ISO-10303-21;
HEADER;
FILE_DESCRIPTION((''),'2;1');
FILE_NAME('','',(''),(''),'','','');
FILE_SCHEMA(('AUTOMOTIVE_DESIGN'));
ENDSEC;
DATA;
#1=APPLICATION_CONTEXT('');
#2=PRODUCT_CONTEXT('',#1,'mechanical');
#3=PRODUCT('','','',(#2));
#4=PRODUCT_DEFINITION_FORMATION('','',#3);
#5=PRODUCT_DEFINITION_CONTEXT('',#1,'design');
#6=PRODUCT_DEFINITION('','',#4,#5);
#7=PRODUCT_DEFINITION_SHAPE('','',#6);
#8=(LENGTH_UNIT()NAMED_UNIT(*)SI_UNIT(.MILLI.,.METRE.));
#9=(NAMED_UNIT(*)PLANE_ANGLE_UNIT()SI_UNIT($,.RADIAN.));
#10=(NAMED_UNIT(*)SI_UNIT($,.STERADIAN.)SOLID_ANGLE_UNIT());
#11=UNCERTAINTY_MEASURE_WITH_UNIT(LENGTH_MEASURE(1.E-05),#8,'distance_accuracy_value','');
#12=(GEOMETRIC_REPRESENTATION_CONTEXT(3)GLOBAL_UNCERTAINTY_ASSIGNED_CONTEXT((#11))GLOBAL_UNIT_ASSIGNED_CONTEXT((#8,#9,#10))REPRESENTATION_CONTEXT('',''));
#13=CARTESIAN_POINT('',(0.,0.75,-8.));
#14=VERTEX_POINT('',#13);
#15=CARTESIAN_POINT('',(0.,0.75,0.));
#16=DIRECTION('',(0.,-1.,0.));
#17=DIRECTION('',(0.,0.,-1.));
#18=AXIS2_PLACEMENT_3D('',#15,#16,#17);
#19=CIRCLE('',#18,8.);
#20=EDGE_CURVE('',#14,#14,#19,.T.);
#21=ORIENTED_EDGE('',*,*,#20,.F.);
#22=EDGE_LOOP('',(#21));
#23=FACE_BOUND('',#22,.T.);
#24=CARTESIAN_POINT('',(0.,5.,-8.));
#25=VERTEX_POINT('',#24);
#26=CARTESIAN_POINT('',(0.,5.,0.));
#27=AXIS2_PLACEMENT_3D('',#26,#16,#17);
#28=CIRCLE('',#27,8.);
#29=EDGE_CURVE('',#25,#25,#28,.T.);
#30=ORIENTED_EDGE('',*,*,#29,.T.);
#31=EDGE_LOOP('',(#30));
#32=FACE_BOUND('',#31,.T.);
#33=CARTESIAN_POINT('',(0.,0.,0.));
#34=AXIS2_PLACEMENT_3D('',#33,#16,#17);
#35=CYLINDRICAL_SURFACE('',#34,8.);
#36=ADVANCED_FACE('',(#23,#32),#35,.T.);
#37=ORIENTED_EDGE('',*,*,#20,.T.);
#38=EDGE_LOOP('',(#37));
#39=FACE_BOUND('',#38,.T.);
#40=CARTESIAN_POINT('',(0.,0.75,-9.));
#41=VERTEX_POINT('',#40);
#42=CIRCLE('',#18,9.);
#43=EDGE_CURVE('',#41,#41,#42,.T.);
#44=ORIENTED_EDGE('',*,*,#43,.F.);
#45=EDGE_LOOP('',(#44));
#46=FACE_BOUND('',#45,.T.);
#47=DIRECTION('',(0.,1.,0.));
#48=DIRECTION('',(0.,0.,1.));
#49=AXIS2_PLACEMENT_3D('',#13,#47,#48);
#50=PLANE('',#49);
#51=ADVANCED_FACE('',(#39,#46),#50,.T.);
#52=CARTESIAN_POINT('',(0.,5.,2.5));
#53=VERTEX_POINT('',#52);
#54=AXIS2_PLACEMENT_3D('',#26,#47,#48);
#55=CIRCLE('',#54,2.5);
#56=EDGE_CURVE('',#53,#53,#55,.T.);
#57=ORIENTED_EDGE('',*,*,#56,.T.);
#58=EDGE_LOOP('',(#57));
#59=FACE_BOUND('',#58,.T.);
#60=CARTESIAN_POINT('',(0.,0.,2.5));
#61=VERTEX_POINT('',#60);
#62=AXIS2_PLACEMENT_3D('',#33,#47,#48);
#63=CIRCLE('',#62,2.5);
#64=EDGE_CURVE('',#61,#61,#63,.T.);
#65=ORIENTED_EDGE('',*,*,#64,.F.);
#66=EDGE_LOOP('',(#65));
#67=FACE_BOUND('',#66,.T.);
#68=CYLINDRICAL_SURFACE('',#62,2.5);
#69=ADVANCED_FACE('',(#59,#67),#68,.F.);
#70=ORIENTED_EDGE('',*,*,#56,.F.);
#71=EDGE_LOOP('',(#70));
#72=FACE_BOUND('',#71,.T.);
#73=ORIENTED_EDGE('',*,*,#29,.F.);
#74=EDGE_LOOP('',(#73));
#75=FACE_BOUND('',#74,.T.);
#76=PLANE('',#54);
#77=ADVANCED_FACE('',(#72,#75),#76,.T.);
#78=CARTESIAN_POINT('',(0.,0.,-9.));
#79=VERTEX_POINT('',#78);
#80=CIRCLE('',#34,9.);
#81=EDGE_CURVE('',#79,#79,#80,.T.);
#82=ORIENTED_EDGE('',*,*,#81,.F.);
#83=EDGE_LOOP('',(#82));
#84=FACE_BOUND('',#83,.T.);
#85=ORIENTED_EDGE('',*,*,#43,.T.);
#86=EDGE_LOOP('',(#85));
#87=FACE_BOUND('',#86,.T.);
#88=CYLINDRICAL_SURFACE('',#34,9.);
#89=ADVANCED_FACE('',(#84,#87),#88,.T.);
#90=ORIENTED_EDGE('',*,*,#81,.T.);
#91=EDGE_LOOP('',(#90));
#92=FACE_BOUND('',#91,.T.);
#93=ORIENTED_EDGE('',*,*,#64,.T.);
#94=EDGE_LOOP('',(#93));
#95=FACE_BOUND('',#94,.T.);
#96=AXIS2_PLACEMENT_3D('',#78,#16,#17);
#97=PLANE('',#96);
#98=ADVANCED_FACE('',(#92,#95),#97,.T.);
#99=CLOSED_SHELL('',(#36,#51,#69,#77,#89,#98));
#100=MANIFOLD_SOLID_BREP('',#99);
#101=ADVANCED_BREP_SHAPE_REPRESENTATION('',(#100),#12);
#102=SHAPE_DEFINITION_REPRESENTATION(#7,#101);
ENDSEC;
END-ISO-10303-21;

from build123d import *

# Parameters (mm, degrees)
SKETCH2_R          = 2.5
CUT_EXTRUDE1_DEPTH = 14.674794331


with BuildPart() as part:
    # Sketch1 → Revolve1 (revolve)
    with BuildSketch(Plane(origin=(0, 0, 0), x_dir=(0, 0, -1), z_dir=(1, 0, 0))):
        Polygon((0, 0), (0, 5), (8, 5), (8, 0.75), (9, 0.75), (9, 0), align=None)
    revolve(axis=Axis((0, 0, 0), (0, 1, 0)))

    # Sketch2 → Cut-Extrude1 (cut, through all)
    with BuildSketch(Plane(origin=(0, 5, 0), x_dir=(1, 0, 0), z_dir=(0, 1, 0))):
        with Locations(Location((0, 0, 0), (0, 0, 270))):
            Circle(SKETCH2_R)
    extrude(amount=-CUT_EXTRUDE1_DEPTH, mode=Mode.SUBTRACT)


solid = part.part
